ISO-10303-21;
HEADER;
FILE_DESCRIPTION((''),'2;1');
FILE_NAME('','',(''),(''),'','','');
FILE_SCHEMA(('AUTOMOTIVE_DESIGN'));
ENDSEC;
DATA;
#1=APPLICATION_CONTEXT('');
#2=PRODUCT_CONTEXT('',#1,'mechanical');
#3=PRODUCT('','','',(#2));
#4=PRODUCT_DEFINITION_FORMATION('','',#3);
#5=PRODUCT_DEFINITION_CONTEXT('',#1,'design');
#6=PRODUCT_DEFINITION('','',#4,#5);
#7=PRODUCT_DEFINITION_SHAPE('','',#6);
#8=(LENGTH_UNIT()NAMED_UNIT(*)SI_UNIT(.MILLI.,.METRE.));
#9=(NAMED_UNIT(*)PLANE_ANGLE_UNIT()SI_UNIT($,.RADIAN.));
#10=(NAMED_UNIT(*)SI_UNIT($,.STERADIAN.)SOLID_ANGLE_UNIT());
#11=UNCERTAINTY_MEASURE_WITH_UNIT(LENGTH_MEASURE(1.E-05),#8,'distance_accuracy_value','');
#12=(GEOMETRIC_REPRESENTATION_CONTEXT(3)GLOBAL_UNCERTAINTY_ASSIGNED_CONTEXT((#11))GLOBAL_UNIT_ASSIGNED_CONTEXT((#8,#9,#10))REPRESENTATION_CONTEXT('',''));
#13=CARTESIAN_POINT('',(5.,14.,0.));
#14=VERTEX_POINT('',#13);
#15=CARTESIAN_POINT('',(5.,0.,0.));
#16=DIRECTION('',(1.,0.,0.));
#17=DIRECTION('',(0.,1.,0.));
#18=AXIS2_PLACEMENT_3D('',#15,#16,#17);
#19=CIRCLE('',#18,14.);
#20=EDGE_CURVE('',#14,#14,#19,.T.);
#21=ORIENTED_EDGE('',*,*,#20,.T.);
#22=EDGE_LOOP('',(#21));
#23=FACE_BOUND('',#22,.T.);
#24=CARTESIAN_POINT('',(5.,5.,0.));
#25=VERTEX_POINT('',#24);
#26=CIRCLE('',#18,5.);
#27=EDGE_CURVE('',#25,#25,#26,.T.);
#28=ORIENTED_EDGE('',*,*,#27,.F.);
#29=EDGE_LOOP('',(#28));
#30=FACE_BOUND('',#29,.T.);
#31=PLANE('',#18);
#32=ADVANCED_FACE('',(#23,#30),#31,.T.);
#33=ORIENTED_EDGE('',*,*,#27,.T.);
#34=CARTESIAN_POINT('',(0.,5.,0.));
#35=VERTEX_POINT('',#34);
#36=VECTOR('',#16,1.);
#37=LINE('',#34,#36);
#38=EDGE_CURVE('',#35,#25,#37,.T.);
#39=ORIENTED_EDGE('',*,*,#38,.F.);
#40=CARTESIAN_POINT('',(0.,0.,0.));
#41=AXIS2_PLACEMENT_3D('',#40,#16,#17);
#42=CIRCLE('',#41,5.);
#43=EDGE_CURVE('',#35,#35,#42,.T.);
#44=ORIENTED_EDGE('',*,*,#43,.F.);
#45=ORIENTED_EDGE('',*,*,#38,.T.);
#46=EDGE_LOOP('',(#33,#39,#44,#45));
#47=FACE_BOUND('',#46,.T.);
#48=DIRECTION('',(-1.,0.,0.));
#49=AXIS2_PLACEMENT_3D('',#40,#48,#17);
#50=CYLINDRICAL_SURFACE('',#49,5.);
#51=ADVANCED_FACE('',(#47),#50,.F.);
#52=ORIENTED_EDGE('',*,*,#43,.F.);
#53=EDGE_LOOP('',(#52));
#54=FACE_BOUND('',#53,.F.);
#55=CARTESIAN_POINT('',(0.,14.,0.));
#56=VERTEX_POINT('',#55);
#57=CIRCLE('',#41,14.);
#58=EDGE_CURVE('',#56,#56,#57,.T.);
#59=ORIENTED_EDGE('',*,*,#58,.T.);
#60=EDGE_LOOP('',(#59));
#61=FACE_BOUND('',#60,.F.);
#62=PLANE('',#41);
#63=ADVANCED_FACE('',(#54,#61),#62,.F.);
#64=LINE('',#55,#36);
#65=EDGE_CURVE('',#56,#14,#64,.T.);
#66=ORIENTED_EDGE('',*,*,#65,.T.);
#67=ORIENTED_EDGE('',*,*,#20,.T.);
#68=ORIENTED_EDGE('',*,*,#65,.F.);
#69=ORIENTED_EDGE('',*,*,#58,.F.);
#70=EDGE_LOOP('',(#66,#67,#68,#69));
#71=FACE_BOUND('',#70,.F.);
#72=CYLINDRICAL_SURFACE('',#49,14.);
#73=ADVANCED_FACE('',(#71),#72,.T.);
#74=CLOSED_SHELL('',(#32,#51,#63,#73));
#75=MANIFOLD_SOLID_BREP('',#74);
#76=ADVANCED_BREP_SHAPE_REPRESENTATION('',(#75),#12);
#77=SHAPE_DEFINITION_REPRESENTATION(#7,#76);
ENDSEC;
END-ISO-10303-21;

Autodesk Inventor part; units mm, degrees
ref_plane "YZ Plane" through (0, 0, 0) normal (1, 0, 0) x (0, 1, 0)
ref_plane "XZ Plane" through (0, 0, 0) normal (0, 1, 0) x (-1, 0, 0)
ref_plane "XY Plane" through (0, 0, 0) normal (0, 0, 1) x (1, 0, 0)
sketch "Sketch1" plane through (0, 0, 0) normal (1, 0, 0) x (0, 1, 0)
  circle A0 centre (0, 0) radius 14
  circle A1 centre (0, 0) radius 5
  dimension "d0" = 28
  dimension "d1" = 10
extrude "Extrusion1" add sketch "Sketch1" along normal blind 5
properties part number "sample-transfer_insulation-disk" material "ABS Plastic light yellow"
